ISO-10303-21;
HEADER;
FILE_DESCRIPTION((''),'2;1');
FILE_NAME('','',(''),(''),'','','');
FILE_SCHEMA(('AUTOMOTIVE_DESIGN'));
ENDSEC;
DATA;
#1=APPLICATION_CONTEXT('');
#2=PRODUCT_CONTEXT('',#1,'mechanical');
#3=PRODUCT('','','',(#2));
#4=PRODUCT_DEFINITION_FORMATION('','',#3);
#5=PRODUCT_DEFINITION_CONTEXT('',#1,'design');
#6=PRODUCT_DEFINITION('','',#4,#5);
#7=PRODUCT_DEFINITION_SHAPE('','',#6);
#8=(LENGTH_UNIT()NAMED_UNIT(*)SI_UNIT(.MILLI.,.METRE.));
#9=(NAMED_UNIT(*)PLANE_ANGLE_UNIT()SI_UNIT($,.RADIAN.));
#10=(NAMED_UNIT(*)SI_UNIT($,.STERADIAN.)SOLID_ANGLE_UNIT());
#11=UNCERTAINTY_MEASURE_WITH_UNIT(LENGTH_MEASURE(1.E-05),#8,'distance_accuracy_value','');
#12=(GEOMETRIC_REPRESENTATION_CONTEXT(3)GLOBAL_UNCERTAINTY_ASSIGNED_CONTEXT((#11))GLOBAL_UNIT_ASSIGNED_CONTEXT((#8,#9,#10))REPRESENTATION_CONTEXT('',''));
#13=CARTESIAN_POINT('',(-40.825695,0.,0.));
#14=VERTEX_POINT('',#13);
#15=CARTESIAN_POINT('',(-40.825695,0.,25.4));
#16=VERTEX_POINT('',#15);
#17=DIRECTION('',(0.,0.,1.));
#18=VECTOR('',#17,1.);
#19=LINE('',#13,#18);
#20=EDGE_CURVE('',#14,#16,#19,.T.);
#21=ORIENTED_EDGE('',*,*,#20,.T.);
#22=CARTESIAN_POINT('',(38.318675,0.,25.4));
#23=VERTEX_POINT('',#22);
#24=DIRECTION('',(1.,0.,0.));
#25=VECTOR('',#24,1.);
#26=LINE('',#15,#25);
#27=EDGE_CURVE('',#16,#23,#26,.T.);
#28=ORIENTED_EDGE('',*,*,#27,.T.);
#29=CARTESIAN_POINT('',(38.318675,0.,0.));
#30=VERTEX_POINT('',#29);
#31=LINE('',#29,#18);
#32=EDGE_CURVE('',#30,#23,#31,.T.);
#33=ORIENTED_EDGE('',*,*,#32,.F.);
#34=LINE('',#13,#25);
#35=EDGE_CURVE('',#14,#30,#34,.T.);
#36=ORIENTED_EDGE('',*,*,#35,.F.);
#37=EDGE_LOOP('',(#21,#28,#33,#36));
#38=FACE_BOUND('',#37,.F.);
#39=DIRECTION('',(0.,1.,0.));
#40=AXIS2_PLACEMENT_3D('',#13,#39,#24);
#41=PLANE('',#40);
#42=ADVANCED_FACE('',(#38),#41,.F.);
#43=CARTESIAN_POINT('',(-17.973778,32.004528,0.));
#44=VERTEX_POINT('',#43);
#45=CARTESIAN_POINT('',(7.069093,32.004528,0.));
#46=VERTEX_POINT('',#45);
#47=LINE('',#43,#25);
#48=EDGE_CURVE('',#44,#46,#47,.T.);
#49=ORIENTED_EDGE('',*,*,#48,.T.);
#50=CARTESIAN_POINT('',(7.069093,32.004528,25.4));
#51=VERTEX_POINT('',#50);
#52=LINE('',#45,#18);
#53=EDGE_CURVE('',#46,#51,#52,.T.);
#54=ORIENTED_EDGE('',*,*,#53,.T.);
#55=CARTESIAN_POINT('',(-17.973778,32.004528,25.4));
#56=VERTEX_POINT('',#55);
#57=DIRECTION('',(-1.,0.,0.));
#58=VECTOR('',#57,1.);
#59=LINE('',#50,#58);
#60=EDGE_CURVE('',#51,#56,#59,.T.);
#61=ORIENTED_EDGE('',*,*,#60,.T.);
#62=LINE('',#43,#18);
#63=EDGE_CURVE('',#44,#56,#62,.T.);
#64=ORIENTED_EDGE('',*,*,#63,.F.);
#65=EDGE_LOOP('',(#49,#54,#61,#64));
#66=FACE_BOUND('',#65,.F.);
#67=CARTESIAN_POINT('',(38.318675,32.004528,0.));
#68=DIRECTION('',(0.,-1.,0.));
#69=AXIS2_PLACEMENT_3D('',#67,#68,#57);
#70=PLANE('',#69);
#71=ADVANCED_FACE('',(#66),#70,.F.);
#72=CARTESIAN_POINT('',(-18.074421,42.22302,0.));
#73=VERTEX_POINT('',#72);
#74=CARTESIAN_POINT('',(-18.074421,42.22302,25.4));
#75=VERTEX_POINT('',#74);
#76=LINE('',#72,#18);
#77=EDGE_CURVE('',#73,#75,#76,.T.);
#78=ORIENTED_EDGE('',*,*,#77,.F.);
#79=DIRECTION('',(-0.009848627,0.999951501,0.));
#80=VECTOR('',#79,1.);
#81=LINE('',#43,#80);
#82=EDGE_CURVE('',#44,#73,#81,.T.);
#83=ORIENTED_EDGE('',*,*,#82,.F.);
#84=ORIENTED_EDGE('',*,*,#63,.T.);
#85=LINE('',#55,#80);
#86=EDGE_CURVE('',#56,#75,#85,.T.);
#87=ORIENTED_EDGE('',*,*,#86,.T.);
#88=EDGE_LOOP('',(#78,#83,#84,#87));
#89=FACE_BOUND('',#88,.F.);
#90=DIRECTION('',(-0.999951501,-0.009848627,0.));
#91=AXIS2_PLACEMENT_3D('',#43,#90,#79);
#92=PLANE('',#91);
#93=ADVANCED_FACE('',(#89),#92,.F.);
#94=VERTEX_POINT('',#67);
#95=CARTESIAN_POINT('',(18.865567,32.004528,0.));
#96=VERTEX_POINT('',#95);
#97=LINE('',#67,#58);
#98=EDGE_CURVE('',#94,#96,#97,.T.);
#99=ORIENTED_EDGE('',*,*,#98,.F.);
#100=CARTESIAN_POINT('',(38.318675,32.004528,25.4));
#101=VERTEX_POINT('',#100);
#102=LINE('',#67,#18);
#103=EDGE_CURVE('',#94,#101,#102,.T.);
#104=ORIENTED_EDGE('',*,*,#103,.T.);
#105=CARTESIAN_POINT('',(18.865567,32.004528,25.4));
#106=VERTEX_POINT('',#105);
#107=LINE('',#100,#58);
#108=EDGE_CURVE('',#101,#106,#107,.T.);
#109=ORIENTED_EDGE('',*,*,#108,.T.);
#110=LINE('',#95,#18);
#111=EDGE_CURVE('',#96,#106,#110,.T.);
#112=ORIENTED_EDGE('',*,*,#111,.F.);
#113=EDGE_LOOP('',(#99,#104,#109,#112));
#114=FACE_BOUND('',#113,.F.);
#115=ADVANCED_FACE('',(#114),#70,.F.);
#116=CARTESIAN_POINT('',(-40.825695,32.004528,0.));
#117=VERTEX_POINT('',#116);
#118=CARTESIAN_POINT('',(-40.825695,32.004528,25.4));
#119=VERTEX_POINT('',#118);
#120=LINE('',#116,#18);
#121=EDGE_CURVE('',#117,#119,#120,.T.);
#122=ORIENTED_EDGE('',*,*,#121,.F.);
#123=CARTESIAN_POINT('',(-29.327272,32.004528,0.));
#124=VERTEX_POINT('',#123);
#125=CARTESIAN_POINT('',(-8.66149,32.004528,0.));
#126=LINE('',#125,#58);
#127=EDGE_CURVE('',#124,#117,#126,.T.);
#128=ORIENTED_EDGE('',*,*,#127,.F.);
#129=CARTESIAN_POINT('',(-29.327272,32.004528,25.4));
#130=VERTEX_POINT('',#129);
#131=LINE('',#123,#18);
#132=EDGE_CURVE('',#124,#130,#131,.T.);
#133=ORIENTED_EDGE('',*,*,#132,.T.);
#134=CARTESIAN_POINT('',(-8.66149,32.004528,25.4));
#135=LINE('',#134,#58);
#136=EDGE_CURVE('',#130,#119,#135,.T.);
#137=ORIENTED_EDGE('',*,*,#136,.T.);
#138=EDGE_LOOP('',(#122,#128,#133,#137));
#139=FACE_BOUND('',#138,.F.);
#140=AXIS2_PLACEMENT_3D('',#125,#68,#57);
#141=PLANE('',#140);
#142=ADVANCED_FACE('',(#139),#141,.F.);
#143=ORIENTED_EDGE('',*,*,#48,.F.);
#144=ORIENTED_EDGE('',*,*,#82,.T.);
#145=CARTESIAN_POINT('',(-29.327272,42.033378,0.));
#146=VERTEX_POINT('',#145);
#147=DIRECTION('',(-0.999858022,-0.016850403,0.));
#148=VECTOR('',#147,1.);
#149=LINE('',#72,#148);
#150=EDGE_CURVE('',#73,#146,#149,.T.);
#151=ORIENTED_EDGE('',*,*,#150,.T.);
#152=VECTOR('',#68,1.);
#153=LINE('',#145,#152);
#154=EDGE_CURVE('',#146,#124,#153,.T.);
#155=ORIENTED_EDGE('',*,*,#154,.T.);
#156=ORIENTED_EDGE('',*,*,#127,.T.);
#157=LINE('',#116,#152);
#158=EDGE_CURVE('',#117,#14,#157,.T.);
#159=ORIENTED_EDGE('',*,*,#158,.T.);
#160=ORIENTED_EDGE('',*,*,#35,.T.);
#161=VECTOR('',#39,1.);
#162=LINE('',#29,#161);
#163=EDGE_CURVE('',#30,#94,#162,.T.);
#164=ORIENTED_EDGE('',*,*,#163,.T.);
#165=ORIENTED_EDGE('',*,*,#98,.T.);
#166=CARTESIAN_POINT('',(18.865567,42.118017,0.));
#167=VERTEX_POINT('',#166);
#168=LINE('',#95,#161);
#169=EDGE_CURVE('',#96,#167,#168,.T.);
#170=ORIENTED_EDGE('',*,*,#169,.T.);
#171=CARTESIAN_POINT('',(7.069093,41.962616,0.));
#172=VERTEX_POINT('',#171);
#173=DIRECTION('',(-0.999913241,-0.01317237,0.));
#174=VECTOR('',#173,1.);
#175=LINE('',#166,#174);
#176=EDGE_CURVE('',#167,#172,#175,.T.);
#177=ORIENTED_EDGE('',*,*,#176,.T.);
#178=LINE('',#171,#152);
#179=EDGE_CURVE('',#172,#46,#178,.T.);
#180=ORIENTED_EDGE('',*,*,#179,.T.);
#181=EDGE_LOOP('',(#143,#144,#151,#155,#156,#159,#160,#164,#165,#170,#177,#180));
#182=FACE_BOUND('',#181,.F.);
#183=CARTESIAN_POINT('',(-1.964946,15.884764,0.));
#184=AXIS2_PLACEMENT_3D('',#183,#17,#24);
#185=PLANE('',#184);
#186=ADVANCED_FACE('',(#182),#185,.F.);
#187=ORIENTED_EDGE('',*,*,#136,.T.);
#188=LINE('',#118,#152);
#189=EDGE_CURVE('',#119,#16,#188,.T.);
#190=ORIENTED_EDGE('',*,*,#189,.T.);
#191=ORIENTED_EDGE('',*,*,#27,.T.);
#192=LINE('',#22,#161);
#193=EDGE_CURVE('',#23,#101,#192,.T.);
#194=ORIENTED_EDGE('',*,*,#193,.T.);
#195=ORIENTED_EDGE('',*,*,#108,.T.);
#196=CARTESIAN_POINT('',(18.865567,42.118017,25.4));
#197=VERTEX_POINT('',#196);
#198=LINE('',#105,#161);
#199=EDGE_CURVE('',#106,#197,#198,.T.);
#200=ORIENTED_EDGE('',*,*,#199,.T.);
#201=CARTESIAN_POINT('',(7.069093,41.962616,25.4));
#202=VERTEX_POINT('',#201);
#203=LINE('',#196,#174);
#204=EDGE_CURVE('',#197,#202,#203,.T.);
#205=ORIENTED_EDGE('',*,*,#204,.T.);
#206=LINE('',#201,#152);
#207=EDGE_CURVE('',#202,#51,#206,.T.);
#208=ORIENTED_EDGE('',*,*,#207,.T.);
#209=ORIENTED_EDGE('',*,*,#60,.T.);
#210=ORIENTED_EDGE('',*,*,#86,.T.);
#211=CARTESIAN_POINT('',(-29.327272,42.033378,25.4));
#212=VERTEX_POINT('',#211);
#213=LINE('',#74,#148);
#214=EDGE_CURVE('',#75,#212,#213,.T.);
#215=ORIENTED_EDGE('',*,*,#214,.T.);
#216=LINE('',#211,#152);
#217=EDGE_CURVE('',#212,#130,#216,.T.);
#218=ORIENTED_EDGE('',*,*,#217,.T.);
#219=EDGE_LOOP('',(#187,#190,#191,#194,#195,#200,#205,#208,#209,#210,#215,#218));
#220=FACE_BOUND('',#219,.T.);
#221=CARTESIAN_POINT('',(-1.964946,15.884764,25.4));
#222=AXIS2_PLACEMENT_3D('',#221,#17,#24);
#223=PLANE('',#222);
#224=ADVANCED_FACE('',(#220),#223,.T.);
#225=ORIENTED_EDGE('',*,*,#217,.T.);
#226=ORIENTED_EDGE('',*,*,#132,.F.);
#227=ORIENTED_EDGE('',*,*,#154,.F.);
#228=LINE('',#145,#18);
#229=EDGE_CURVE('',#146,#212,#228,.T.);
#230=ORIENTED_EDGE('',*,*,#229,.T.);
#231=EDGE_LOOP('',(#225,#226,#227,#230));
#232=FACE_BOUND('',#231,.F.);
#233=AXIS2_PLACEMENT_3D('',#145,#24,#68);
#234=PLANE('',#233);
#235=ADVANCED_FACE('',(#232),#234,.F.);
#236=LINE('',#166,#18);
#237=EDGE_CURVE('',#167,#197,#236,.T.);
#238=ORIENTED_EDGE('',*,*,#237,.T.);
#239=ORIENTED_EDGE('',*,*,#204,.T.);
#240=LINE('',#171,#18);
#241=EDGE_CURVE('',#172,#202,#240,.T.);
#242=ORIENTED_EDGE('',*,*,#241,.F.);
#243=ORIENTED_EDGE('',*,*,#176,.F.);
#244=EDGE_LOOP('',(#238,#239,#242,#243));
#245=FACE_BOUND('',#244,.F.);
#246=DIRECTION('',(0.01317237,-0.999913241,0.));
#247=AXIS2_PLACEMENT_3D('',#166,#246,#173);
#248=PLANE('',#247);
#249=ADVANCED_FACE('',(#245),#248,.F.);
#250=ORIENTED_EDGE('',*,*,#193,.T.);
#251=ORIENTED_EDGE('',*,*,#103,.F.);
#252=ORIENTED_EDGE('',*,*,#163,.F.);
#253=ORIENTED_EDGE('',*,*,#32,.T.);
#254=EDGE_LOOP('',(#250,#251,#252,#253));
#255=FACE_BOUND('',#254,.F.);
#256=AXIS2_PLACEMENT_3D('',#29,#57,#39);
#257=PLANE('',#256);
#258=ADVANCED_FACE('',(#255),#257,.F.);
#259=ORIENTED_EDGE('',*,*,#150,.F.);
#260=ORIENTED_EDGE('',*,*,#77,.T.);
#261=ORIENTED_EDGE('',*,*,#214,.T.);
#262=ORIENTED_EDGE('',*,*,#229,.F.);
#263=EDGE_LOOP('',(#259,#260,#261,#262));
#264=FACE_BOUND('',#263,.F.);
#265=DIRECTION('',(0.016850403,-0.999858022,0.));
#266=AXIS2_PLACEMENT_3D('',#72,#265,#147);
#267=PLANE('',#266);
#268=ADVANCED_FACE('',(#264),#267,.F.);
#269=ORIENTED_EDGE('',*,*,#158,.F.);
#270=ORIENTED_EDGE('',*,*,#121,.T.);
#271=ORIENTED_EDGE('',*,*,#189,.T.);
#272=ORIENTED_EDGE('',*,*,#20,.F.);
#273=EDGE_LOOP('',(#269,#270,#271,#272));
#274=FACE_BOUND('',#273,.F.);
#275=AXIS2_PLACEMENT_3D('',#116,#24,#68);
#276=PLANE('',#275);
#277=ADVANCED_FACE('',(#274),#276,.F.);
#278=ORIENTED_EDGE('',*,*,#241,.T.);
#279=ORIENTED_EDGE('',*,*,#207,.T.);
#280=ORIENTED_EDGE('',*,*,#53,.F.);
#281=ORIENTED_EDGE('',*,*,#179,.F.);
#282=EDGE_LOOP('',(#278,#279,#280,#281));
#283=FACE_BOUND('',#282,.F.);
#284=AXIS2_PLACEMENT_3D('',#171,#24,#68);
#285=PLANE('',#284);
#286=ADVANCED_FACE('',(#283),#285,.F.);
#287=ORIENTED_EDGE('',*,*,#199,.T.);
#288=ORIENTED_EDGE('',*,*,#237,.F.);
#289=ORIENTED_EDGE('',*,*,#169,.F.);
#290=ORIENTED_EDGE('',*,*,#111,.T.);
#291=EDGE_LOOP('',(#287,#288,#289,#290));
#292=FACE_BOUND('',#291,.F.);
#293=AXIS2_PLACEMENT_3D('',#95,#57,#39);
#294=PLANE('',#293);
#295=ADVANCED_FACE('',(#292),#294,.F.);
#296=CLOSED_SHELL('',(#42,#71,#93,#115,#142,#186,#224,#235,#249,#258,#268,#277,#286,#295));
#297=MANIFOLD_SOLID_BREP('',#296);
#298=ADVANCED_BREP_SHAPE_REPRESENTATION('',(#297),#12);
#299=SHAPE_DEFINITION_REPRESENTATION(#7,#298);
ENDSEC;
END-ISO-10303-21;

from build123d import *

# Parameters (mm, degrees)
F1_DEPTH = 25.4
F2_DEPTH = 25.4


with BuildPart() as f1:
    # F0 (on Top) → F1 (new body)
    with BuildSketch(Plane.XY):
        Polygon((-29.327272, 32.004528), (-40.825695, 32.004528), (-40.825695, 0), (38.318675, 0), (38.318675, 32.004528), (18.865567, 32.004528), (7.069093, 32.004528), (0, 32.004528), (0, 18.464023), (5.171617, 18.464023), (4.928618, 13.130507), (0, 13.130507), (0, 7.304969), (-8.66149, 7.304969), (-8.66149, 13.279019), (-13.442378, 13.279019), (-13.442378, 18.870654), (-8.66149, 18.870654), (-8.66149, 32.004528), (-17.973778, 32.004528), align=None)
    extrude(amount=F1_DEPTH)

    # F0 (on Top) → F2 (join)
    with BuildSketch(Plane.XY):
        Polygon((-29.327272, 32.004528), (-40.825695, 32.004528), (-40.825695, 0), (38.318675, 0), (38.318675, 32.004528), (18.865567, 32.004528), (7.069093, 32.004528), (0, 32.004528), (0, 18.464023), (5.171617, 18.464023), (4.928618, 13.130507), (0, 13.130507), (0, 7.304969), (-8.66149, 7.304969), (-8.66149, 13.279019), (-13.442378, 13.279019), (-13.442378, 18.870654), (-8.66149, 18.870654), (-8.66149, 32.004528), (-17.973778, 32.004528), align=None)
        Polygon((-29.327272, 42.033378), (-29.327272, 32.004528), (-17.973778, 32.004528), (-18.074421, 42.22302), align=None)
        Polygon((0, 32.004528), (-8.66149, 32.004528), (-8.66149, 18.870654), (-13.442378, 18.870654), (-13.442378, 13.279019), (-8.66149, 13.279019), (-8.66149, 7.304969), (0, 7.304969), (0, 13.130507), (4.928618, 13.130507), (5.171617, 18.464023), (0, 18.464023), align=None)
        Polygon((7.069093, 32.004528), (18.865567, 32.004528), (18.865567, 42.118017), (7.069093, 41.962616), align=None)
    extrude(amount=F2_DEPTH)


solid = f1.part
